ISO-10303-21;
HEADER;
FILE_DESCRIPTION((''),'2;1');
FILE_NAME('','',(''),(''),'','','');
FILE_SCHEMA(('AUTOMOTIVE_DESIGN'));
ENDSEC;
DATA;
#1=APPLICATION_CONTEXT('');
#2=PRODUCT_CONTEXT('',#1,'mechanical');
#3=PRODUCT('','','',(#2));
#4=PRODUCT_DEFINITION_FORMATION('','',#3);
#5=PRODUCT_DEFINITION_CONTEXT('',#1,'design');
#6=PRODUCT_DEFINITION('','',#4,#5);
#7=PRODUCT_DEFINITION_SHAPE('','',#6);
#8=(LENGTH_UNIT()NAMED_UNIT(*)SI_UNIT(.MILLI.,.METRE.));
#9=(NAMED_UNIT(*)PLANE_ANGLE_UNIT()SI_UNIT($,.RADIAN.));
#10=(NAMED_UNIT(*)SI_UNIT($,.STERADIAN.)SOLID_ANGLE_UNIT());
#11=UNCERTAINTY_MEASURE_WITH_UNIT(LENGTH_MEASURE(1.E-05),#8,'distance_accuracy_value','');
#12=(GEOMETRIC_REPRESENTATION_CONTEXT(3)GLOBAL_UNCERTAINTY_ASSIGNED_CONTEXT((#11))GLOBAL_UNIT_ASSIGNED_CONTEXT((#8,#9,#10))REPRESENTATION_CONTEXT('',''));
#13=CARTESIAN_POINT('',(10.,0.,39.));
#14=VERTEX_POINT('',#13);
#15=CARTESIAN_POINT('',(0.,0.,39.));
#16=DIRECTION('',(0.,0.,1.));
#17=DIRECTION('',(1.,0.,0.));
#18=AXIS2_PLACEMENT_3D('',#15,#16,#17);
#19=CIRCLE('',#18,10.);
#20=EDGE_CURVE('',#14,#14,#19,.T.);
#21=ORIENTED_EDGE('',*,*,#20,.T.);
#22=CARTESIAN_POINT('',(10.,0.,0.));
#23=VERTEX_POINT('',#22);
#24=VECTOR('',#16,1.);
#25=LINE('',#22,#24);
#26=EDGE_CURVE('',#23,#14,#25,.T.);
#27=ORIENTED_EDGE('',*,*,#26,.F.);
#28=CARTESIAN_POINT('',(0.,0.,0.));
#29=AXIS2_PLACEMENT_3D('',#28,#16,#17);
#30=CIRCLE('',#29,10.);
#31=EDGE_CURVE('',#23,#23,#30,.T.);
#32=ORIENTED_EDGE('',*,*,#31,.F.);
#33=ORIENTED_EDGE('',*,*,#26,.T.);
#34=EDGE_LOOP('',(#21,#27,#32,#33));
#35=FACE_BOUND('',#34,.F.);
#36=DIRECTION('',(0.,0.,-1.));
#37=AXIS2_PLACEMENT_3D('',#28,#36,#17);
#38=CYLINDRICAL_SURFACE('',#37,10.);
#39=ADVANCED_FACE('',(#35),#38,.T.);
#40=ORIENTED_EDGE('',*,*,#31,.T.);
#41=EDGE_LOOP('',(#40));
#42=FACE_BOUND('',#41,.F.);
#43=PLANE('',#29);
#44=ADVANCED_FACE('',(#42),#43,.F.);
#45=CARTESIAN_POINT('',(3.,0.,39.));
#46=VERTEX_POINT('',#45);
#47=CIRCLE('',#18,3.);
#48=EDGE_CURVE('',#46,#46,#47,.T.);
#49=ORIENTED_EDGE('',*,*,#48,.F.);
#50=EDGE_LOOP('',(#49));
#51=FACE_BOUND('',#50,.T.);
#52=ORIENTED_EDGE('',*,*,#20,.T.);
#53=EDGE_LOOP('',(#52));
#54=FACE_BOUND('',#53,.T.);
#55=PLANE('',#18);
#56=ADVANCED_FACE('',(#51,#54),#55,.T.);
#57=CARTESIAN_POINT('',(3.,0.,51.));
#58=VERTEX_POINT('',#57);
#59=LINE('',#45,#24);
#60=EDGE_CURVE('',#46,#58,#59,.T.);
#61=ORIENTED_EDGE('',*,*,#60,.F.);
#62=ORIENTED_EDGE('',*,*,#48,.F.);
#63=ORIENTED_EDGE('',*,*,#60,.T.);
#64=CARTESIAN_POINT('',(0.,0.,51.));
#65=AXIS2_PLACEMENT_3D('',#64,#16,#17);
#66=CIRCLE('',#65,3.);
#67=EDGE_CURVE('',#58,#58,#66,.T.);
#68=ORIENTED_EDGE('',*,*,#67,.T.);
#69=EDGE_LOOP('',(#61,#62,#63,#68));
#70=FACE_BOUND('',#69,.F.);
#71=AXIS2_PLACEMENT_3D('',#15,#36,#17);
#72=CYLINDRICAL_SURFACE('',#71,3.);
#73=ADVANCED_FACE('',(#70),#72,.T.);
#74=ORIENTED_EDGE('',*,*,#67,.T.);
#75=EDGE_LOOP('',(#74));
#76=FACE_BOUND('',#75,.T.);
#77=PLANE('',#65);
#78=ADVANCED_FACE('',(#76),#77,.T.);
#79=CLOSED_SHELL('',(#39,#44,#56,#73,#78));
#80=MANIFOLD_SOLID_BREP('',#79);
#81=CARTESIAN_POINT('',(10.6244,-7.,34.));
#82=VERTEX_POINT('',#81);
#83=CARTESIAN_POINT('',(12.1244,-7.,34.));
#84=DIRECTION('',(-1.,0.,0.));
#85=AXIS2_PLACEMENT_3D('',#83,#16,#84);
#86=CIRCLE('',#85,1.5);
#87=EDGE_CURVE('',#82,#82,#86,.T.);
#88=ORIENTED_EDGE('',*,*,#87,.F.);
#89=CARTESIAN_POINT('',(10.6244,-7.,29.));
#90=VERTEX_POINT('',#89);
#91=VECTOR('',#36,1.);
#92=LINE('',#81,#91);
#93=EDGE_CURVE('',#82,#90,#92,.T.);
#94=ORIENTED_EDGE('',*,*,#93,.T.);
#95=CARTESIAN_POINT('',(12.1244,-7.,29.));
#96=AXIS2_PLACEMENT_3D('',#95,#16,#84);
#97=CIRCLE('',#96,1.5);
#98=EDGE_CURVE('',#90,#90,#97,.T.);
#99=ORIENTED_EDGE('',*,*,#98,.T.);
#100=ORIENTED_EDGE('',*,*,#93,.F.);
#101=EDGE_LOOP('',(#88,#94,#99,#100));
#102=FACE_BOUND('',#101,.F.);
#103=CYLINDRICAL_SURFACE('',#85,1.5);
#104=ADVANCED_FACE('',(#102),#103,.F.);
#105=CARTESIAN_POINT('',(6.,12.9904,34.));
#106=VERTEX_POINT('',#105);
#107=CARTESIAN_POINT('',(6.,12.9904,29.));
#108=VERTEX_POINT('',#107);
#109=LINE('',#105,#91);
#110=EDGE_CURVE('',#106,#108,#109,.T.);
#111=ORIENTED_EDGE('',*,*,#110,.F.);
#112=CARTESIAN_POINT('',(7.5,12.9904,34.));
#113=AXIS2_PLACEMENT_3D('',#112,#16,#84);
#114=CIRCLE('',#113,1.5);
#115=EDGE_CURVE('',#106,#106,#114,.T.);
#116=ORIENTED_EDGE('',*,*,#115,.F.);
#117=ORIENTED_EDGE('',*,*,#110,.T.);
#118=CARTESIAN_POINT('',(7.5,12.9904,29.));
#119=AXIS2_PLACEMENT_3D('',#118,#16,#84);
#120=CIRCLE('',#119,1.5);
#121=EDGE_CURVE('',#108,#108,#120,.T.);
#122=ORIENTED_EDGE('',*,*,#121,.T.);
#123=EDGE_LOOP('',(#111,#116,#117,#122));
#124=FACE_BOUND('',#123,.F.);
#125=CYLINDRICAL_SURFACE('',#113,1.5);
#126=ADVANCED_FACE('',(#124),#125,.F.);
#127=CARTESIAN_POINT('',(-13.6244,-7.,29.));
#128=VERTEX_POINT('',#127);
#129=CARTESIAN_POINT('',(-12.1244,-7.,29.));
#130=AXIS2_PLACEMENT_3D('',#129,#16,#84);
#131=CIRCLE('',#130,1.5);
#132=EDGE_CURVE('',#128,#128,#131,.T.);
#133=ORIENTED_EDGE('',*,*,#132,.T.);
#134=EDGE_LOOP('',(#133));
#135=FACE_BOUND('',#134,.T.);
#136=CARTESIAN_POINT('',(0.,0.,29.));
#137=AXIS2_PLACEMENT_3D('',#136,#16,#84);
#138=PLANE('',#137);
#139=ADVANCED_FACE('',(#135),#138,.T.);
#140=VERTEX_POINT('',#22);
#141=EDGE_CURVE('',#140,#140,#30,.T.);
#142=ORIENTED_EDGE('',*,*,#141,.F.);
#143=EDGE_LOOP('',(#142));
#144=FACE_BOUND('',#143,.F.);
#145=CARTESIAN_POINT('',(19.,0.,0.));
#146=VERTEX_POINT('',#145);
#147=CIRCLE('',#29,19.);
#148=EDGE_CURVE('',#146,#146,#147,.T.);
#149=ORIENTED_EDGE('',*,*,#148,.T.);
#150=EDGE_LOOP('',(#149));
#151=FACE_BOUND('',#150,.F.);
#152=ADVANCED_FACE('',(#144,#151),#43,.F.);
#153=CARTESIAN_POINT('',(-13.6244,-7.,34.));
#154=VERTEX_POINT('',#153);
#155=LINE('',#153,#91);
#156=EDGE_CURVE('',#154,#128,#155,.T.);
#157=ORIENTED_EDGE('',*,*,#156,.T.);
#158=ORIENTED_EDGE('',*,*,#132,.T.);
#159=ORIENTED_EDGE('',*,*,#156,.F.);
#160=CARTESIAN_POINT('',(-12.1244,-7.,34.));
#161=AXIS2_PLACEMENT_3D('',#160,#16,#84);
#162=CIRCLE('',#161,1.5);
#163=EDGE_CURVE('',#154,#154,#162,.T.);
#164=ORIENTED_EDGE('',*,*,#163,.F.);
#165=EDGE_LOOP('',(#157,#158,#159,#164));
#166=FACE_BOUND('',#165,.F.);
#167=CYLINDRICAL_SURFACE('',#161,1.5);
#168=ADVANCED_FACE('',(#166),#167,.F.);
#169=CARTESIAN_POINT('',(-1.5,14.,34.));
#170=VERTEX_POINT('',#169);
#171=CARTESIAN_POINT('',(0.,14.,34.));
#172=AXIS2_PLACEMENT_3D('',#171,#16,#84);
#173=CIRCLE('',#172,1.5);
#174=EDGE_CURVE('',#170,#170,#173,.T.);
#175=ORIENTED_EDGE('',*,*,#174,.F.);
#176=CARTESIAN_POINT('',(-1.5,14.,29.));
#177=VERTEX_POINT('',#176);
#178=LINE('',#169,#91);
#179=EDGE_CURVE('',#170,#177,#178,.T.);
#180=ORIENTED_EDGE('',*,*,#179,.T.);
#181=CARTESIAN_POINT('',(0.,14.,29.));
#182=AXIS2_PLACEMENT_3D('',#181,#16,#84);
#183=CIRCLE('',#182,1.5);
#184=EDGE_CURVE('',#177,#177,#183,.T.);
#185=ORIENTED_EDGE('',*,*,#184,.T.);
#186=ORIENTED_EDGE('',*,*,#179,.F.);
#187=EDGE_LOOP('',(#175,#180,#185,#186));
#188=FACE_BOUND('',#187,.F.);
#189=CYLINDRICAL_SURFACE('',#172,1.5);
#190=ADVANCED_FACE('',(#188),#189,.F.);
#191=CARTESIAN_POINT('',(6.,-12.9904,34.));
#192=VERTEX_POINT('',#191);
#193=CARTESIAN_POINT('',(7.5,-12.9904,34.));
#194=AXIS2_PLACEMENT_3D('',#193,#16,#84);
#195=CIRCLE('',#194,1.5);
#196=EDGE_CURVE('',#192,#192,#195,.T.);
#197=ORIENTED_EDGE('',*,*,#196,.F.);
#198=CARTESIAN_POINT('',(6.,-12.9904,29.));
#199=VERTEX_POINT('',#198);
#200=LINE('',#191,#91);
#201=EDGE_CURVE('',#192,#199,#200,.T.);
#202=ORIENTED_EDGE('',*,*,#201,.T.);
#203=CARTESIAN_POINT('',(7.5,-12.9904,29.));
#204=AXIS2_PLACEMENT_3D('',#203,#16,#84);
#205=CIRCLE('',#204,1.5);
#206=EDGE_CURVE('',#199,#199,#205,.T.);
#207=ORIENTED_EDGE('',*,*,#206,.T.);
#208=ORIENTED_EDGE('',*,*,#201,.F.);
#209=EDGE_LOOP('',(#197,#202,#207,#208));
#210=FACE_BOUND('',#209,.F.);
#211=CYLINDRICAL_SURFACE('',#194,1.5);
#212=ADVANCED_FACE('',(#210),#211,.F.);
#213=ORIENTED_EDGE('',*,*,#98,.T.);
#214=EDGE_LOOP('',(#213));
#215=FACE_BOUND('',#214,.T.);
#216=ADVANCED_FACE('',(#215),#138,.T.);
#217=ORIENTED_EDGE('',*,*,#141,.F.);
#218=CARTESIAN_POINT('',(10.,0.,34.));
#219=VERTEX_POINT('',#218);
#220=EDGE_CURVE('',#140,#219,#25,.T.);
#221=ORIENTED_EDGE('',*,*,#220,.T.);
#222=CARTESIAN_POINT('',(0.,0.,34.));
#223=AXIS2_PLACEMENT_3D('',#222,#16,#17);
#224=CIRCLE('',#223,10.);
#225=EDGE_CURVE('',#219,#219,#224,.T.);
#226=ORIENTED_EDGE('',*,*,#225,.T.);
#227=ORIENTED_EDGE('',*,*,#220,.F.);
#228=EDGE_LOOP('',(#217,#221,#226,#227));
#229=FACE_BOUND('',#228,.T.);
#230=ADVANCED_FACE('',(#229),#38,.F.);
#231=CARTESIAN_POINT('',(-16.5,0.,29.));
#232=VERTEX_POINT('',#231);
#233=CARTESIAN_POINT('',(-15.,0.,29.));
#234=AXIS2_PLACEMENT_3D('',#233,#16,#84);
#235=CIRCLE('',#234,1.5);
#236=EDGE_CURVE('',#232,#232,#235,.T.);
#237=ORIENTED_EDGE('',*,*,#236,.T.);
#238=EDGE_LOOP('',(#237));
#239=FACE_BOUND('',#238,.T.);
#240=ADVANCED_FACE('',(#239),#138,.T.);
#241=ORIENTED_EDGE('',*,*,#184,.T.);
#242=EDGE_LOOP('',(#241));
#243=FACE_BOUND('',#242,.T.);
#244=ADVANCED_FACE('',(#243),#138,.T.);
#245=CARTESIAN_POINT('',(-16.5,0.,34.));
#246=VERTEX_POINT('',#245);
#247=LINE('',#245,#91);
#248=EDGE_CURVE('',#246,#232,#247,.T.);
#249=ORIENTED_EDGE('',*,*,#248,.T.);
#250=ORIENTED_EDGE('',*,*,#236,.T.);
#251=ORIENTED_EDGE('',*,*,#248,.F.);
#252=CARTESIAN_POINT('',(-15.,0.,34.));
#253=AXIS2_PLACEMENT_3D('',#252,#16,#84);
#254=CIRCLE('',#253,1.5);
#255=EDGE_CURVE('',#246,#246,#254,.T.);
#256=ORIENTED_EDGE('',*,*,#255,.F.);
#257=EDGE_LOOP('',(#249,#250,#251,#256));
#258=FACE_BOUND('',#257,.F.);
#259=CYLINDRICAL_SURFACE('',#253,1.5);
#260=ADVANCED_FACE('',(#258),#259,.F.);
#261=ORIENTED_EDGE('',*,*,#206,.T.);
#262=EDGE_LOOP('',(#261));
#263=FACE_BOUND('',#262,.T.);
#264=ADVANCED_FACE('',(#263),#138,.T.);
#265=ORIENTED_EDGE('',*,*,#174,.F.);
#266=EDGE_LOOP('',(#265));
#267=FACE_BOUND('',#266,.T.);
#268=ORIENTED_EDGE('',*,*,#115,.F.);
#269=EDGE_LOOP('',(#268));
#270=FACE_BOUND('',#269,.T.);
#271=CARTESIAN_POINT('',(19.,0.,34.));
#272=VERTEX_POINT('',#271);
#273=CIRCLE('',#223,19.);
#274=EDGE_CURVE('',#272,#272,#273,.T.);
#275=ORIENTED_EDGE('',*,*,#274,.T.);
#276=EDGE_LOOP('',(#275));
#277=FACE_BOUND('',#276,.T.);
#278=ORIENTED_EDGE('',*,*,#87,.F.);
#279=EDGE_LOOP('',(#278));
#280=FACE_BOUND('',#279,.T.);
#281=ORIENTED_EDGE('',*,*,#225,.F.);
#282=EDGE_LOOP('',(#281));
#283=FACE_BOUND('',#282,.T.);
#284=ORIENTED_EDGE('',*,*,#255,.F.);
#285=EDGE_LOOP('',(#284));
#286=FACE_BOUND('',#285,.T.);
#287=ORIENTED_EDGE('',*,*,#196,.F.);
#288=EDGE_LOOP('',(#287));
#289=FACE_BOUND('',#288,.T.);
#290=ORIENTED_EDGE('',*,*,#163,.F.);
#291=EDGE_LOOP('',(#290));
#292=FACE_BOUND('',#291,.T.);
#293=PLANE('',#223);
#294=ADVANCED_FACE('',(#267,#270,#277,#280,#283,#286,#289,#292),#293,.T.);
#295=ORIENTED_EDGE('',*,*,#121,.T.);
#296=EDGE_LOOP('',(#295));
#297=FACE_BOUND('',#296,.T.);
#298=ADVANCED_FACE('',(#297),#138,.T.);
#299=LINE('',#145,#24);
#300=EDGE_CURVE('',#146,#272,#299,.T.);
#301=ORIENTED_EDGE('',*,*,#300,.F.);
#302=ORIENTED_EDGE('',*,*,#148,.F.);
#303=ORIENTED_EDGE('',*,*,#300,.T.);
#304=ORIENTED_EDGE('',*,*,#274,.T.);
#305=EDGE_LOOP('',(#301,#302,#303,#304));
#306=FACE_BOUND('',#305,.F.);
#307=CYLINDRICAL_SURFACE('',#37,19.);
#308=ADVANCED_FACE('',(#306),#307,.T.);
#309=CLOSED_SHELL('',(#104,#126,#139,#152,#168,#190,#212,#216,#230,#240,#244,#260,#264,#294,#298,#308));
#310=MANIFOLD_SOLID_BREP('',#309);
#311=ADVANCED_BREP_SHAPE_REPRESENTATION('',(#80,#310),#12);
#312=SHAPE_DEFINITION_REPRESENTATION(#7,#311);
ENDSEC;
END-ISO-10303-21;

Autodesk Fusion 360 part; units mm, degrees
sketch "Skizze1" plane through (0, 0, 0) normal (0, 0, 1) x (1, 0, 0)
  circle A0 centre (0, 0) radius 19
  circle A1 centre (0, 0) radius 10
  circle A2 centre (0, 0) radius 3
  dimension "d1" = 38
  dimension "d2" = 20
  dimension "d3" = 6
extrude "Extrusion3" add sketch "Skizze1" along normal blind 39 contours A2 makes body 1
extrude "Extrusion2" add sketch "Skizze1" along normal blind 39 separate body contours A1 makes body 2
extrude "Extrusion1" add sketch "Skizze1" along normal blind 34 separate body contours A0 makes body 3
extrude "Extrusion4" add 1 faces at (0.3505, -0.866, 39) along direction (0, 0, 1) blind 12 on bodies 1 bodies 1 3 2
sketch "Skizze2" plane through (0, 0, 34) normal (0, 0, 1) x (-1, 0, 0)
  circle A0 centre (0, 0) radius 10
  circle A1 centre (0, 0) radius 19
  line L0 (0, 0) -> (0, -14) construction
  line L1 (0, 0) -> (-7.5, -12.9904) construction
  line L2 (0, 0) -> (12.3693, 0) construction
  line L3 (0, 0) -> (15, 0) construction
  line L4 (0, 0) -> (12.1244, 7) construction
  line L5 (0, 0) -> (12.6491, 0) construction
  circle A2 centre (15, 0) radius 1.5
  circle A3 centre (12.1244, 7) radius 1.5
  circle A4 centre (0, -14) radius 1.5
  circle A5 centre (-7.5, -12.9904) radius 1.5
  line L6 (0, 0) -> (-12.1244, 7) construction
  line L7 (0, 0) -> (11.7072, 0) construction
  line L8 (0, 0) -> (-7.5, 12.9904) construction
  line L9 (0, 0) -> (13.6015, 0) construction
  circle A6 centre (-12.1244, 7) radius 1.5
  circle A7 centre (-7.5, 12.9904) radius 1.5
  dimension "d12" = 14
  dimension "d13" = 120
  dimension "d14" = 15
  dimension "d15" = 15
  dimension "d16" = 30
  dimension "d17" = 14
  dimension "d18" = 3
  dimension "d19" = 3
  dimension "d20" = 3
  dimension "d21" = 3
  dimension "d22" = 150
  dimension "d23" = 14
  dimension "d24" = 120
  dimension "d25" = 15
  dimension "d26" = 3
  dimension "d27" = 3
extrude "Extrusion6" cut sketch "Skizze2" against normal blind 5 contours A5 bodies 3
extrude "Extrusion5" cut sketch "Skizze2" against normal blind 5 contours A4 bodies 3
extrude "Extrusion7" cut sketch "Skizze2" against normal blind 5 contours A6 bodies 3
extrude "Extrusion8" cut sketch "Skizze2" against normal blind 5 contours A7 bodies 3
extrude "Extrusion9" cut sketch "Skizze2" against normal blind 5 contours A3 bodies 3
extrude "Extrusion10" cut sketch "Skizze2" against normal blind 5 contours A2 bodies 3
